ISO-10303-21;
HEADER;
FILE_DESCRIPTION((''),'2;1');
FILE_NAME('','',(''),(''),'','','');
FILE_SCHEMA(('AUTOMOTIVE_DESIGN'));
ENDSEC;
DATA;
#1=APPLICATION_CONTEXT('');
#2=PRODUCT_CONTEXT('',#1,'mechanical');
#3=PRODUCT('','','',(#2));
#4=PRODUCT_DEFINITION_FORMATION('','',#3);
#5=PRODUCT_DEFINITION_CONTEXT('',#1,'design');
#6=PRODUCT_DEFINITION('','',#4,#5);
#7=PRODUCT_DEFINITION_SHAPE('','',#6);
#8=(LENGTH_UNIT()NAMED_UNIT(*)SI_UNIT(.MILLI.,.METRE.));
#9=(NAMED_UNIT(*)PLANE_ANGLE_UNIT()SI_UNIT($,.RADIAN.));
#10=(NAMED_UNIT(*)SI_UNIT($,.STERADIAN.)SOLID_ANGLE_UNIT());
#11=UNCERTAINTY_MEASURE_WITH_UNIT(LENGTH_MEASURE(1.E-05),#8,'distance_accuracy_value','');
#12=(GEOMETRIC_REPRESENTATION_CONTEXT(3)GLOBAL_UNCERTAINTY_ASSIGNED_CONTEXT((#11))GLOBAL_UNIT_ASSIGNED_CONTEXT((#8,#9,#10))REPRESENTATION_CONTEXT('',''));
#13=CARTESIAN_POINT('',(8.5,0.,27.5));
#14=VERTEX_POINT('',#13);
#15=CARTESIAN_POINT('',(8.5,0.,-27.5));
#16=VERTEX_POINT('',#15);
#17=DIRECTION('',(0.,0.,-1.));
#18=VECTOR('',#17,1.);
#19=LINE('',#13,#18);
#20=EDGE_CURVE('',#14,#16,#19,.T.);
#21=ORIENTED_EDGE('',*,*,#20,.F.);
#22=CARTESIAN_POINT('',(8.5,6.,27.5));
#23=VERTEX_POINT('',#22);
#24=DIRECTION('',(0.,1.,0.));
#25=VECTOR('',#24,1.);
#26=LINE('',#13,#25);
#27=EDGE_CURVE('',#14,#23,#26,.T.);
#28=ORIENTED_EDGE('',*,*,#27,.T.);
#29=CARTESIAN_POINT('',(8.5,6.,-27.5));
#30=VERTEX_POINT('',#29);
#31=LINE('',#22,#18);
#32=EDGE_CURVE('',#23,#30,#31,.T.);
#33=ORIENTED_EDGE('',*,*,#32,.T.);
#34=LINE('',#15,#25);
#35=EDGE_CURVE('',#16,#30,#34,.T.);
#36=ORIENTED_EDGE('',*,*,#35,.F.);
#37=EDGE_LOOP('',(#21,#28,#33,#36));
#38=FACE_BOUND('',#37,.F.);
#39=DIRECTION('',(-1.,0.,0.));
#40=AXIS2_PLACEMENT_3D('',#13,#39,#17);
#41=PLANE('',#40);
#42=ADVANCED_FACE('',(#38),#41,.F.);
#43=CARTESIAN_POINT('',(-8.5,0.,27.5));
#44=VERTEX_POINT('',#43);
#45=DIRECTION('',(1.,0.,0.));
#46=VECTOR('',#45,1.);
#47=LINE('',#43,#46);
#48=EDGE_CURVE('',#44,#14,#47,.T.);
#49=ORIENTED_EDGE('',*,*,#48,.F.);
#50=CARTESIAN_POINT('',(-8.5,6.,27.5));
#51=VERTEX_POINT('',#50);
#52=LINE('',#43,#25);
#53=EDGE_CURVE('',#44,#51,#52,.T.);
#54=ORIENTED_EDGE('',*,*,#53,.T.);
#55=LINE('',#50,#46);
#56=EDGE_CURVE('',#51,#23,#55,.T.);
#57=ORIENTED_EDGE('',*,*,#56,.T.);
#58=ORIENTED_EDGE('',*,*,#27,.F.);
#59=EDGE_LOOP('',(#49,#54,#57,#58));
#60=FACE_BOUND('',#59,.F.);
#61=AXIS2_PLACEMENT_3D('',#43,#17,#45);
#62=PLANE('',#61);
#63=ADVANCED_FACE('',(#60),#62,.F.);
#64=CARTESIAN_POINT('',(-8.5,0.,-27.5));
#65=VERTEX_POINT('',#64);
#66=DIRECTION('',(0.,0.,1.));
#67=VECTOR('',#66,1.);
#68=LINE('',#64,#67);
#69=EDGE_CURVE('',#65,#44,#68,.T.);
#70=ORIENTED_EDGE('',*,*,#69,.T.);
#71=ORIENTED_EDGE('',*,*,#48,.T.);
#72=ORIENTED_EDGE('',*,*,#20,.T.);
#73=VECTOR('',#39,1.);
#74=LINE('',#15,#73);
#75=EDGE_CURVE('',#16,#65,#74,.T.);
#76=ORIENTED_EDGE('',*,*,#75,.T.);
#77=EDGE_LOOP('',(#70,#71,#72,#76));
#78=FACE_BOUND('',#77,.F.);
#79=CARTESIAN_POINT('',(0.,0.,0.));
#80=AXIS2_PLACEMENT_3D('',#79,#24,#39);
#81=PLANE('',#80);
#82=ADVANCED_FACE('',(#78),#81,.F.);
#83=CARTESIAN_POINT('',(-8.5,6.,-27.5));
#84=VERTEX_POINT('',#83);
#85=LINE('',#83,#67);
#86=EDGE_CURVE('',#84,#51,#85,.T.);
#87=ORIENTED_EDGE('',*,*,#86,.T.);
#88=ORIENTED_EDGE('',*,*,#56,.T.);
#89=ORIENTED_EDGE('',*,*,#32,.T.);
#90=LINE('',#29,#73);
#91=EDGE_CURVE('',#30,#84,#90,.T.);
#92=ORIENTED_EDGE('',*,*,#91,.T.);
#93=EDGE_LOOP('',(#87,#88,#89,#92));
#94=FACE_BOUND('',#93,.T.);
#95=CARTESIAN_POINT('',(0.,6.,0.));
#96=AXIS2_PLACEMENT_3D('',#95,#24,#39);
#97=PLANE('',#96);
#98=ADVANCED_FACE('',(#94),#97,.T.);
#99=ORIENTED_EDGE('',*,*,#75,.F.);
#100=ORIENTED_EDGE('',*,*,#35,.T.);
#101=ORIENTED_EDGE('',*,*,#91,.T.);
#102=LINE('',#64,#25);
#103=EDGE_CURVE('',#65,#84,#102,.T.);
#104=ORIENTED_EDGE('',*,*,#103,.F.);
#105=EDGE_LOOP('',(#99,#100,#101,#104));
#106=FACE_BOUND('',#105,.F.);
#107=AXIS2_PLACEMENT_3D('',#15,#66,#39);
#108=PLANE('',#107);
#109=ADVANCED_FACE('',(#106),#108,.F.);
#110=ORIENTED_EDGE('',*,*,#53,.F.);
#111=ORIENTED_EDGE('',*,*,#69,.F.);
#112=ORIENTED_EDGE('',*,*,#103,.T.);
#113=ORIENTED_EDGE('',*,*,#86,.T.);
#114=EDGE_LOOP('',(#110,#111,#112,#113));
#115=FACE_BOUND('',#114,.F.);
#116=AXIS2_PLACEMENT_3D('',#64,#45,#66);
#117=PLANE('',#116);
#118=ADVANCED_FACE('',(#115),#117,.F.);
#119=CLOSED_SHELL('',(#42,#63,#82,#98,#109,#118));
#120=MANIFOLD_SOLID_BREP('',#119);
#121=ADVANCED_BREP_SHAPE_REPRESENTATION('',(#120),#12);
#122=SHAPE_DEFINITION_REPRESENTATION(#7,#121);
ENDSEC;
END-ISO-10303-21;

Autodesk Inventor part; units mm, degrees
ref_plane "YZ Plane" through (0, 0, 0) normal (1, 0, 0) x (0, 1, 0)
ref_plane "XZ Plane" through (0, 0, 0) normal (0, 1, 0) x (-1, 0, 0)
ref_plane "XY Plane" through (0, 0, 0) normal (0, 0, 1) x (1, 0, 0)
sketch "Szkic1" plane through (0, 0, 0) normal (0, 1, 0) x (-1, 0, 0)
  line L0 (8.5, 27.5) -> (-8.5, 27.5)
  line L1 (-8.5, 27.5) -> (-8.5, -27.5)
  line L2 (-8.5, -27.5) -> (8.5, -27.5)
  line L3 (8.5, -27.5) -> (8.5, 27.5)
  point P0 (0, 0)
  point P1 (8.5, 0)
  point P2 (0, -27.5)
  dimension "d0" = 55
  dimension "d1" = 17
extrude "Wyciągnięcie proste1" add sketch "Szkic1" along normal blind 6
properties part number "Bateria"
